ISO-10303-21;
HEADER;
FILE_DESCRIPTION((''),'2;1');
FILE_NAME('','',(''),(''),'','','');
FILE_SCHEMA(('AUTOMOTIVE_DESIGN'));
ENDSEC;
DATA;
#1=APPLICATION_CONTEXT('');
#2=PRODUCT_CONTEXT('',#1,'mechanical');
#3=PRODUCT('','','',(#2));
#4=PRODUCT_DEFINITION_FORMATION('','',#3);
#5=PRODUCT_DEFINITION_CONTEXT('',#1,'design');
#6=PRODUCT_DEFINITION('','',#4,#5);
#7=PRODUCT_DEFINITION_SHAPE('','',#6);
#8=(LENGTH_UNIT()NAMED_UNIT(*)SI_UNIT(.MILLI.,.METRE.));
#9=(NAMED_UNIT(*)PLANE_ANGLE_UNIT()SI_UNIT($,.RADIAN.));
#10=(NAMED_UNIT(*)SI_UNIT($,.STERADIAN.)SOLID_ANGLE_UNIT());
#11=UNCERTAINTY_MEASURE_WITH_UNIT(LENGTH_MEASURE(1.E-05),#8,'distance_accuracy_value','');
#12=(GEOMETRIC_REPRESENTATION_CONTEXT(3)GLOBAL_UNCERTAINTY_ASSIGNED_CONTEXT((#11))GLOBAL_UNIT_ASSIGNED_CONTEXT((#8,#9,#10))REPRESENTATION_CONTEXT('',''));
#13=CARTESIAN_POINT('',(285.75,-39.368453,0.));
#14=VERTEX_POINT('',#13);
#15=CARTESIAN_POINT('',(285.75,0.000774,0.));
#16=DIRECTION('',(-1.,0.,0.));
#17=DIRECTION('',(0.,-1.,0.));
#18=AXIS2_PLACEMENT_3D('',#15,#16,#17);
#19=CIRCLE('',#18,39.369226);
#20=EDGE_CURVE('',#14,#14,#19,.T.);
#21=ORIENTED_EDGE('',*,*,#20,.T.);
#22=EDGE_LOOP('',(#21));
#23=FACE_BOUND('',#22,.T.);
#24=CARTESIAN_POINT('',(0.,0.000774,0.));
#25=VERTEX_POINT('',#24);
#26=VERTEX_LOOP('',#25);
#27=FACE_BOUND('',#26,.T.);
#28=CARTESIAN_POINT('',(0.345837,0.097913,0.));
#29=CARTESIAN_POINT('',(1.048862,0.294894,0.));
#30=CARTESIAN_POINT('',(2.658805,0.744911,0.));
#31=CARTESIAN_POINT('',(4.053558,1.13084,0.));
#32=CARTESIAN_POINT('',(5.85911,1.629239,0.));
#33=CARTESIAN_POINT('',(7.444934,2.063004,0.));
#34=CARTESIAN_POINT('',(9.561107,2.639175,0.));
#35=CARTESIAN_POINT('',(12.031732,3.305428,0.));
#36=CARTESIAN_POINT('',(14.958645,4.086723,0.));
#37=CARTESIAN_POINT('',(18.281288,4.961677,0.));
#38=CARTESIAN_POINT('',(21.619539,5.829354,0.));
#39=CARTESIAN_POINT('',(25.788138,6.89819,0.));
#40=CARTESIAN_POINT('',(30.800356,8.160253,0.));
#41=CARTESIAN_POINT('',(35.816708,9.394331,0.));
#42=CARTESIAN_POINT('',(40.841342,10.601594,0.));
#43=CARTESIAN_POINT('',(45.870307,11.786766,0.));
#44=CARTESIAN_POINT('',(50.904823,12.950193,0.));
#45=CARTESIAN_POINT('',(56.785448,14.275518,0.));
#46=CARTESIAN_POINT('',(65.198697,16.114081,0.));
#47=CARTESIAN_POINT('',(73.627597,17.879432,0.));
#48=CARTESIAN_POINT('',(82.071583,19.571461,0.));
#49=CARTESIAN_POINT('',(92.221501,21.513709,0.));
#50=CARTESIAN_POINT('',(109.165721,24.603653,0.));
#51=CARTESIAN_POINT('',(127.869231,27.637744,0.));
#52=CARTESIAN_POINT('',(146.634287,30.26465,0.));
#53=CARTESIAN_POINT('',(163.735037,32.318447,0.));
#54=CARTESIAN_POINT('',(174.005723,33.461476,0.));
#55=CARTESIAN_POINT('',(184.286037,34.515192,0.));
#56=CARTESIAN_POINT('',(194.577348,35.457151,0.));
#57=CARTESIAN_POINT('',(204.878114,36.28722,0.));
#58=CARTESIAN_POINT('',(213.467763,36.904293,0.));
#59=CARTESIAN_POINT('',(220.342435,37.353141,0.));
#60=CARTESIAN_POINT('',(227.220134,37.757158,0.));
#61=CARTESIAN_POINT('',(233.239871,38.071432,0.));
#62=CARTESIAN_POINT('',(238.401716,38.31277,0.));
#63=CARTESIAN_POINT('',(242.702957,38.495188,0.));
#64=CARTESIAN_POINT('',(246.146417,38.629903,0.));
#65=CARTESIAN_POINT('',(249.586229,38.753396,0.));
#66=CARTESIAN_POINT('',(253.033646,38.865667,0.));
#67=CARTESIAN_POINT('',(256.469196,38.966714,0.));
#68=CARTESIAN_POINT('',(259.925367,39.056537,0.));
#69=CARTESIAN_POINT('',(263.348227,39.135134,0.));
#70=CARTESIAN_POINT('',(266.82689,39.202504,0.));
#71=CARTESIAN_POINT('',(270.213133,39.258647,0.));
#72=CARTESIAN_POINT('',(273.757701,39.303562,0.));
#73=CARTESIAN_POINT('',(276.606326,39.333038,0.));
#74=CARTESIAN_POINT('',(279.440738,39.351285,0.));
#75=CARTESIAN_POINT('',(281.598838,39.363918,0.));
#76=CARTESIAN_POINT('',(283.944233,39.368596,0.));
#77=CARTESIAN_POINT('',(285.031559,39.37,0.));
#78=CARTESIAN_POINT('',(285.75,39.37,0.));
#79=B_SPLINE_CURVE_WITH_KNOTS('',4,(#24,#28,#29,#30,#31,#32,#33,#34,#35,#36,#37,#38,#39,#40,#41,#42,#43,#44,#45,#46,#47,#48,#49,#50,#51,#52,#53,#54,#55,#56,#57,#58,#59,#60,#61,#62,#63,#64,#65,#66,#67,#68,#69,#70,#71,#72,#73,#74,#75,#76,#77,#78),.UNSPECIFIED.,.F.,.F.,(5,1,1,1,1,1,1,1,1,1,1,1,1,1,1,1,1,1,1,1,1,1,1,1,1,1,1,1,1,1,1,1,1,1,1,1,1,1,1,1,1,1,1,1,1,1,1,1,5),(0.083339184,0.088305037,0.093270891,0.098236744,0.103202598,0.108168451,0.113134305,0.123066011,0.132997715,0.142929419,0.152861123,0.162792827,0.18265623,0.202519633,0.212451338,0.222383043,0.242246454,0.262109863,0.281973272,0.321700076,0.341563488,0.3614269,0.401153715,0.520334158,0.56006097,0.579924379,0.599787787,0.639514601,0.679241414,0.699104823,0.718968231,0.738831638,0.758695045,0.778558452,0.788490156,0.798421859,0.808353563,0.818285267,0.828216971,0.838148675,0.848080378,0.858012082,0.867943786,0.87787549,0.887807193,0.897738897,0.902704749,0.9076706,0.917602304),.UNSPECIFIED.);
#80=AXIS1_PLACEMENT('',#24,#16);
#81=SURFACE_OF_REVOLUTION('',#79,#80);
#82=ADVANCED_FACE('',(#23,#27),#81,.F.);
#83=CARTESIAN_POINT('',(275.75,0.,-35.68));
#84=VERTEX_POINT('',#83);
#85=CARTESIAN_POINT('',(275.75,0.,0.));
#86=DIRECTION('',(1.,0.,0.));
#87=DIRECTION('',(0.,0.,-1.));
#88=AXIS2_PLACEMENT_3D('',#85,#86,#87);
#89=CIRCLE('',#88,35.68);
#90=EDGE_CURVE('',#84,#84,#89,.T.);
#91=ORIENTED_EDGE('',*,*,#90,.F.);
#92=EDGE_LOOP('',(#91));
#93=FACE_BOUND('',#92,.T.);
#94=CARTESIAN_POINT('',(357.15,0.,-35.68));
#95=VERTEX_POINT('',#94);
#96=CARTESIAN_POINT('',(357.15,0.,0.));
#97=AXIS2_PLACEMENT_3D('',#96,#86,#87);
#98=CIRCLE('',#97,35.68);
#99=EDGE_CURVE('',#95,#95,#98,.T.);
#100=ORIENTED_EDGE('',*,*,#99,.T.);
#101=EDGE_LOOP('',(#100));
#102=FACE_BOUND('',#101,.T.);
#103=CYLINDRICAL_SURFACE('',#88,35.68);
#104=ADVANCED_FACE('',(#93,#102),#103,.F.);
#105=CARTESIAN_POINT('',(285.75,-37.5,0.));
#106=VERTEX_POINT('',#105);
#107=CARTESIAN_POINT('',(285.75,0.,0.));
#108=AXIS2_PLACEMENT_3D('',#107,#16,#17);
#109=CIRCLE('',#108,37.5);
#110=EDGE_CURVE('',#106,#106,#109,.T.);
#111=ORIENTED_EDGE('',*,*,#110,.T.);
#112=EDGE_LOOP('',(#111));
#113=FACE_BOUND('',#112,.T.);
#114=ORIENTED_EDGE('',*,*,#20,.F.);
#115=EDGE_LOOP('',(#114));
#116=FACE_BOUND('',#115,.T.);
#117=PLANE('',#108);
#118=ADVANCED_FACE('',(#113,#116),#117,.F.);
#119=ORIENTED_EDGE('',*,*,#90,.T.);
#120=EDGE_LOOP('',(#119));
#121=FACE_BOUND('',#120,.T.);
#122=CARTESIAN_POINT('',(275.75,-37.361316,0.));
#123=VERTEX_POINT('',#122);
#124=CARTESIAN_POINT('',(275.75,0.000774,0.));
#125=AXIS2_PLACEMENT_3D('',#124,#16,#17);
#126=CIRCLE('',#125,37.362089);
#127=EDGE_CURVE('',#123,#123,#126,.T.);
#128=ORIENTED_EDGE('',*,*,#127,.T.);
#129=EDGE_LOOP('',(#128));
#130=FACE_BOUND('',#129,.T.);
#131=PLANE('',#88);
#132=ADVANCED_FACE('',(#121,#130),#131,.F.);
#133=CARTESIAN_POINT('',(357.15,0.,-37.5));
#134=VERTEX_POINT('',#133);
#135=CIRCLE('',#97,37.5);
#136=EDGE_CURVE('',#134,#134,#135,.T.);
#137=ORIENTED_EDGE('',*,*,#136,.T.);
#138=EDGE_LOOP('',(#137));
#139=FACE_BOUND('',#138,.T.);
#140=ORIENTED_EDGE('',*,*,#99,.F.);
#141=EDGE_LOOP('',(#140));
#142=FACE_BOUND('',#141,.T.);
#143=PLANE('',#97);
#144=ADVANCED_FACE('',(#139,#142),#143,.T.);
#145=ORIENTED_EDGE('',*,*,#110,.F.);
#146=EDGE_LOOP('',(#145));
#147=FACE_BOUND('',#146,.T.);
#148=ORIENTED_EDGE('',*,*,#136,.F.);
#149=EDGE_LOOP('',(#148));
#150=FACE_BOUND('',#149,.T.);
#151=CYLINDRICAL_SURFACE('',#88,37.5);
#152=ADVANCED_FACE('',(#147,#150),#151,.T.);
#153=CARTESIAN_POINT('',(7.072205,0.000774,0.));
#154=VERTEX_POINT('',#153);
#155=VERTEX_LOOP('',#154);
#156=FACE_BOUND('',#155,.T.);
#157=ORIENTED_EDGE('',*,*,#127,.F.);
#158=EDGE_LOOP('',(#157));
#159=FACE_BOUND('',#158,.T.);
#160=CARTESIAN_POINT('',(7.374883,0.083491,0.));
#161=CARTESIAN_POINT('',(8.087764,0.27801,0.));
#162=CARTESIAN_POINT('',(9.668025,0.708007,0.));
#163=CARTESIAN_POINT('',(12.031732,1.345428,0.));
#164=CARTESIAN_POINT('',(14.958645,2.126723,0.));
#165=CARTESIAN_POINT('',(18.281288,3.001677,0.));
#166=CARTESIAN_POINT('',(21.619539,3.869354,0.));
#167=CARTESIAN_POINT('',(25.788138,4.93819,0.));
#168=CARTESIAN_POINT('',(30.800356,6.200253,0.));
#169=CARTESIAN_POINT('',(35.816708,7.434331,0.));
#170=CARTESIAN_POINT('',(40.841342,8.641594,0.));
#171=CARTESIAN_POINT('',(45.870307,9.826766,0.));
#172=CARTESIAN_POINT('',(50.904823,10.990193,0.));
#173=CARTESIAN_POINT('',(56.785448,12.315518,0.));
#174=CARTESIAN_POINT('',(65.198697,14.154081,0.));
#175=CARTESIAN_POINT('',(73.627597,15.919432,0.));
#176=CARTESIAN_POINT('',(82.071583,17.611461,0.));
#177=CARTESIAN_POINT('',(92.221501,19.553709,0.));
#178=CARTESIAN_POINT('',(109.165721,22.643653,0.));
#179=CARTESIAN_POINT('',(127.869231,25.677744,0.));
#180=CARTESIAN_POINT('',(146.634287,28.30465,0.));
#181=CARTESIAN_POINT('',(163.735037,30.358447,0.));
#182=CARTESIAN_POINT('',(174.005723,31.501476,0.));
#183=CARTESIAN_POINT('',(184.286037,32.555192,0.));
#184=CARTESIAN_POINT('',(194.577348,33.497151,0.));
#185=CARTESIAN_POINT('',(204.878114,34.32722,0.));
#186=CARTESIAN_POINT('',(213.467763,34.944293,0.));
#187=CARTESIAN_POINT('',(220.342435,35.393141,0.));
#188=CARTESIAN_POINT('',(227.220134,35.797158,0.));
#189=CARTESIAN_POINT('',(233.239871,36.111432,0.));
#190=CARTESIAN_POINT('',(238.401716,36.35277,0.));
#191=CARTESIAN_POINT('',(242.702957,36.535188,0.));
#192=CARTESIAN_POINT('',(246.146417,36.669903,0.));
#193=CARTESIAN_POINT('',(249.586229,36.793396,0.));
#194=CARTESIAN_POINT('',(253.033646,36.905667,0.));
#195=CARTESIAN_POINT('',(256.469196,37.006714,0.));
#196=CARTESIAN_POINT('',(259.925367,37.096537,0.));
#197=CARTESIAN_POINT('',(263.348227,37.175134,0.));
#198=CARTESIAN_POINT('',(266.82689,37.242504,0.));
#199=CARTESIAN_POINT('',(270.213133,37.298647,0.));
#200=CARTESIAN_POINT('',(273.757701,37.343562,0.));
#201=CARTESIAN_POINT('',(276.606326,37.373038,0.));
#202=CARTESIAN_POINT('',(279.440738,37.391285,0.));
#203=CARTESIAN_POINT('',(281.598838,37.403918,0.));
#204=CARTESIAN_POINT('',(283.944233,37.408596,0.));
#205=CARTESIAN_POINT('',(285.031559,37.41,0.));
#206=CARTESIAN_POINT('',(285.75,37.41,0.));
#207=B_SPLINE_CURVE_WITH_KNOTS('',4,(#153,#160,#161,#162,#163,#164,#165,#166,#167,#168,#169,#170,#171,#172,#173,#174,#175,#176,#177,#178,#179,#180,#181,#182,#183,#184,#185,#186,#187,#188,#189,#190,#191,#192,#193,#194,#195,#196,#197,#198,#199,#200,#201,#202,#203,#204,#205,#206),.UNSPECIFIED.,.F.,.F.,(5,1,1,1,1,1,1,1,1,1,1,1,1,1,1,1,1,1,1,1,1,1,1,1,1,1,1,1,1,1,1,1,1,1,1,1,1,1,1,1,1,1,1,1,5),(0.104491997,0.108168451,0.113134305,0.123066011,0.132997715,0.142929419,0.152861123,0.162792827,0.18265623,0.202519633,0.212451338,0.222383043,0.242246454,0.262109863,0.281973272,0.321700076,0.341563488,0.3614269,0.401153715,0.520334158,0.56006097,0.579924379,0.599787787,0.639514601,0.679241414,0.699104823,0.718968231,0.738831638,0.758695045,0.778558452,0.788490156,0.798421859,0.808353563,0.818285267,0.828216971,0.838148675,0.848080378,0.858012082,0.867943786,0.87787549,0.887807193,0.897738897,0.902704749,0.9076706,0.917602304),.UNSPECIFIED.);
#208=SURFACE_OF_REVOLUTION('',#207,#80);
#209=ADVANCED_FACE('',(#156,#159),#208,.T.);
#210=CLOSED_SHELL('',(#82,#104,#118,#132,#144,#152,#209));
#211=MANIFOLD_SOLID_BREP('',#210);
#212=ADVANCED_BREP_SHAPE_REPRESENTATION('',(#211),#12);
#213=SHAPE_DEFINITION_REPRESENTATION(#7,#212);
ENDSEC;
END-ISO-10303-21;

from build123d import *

# Parameters (mm, degrees)
BOSS_EXTRUDE2_DEPTH      = 71.4
BOSS_EXTRUDE2_DEPTH_BACK = 10
SKETCH7_R                = 37.5
SKETCH7_R_2              = 35.68


with BuildPart() as part:
    # Sketch6 → Revolve1 (revolve)
    with BuildSketch(Plane.XY):
        with BuildLine():
            add(Edge.make_bspline(
                [(0, 0.000773686), (0.345837081, 0.097913039), (1.048861774, 0.294893917), (2.658804783, 0.744910728), (4.053557927, 1.130839742), (5.859110481, 1.629238964), (7.4449339, 2.063004405), (9.561107041, 2.639174776), (12.031731905, 3.305427777), (14.95864462, 4.086722796), (18.28128803, 4.961677348), (21.619538634, 5.829353926), (25.788137705, 6.898189705), (30.800356023, 8.160252936), (35.816708136, 9.394330637), (40.841342365, 10.601594193), (45.87030729, 11.786766239), (50.904823346, 12.9501928), (56.785447795, 14.275517838), (65.198696746, 16.114081378), (73.627596987, 17.879432312), (82.07158253, 19.571461259), (92.221500813, 21.513709315), (109.165721029, 24.603653307), (127.869230818, 27.637744384), (146.634286906, 30.26464954), (163.735036766, 32.318446728), (174.005722776, 33.461475939), (184.286037164, 34.515191531), (194.577348102, 35.457150565), (204.878113597, 36.287219685), (213.467762549, 36.904293409), (220.342435031, 37.353141106), (227.220133715, 37.75715841), (233.239870853, 38.071431948), (238.401716288, 38.312770004), (242.702957325, 38.49518804), (246.146416964, 38.629902708), (249.586229399, 38.753396186), (253.033645652, 38.865667159), (256.46919635, 38.966714436), (259.925366913, 39.056536942), (263.348226534, 39.135133723), (266.826889882, 39.202503943), (270.213132828, 39.258646887), (273.75770095, 39.303561958), (276.606326241, 39.333037839), (279.440738032, 39.351284936), (281.598838185, 39.363917591), (283.944232781, 39.368596368), (285.031559311, 39.370000002), (285.75, 39.370000002)],
                knots=[0.083339184, 0.083339184, 0.083339184, 0.083339184, 0.083339184, 0.088305037, 0.093270891, 0.098236744, 0.103202598, 0.108168451, 0.113134305, 0.123066011, 0.132997715, 0.142929419, 0.152861123, 0.162792827, 0.18265623, 0.202519633, 0.212451338, 0.222383043, 0.242246454, 0.262109863, 0.281973272, 0.321700076, 0.341563488, 0.3614269, 0.401153715, 0.520334158, 0.56006097, 0.579924379, 0.599787787, 0.639514601, 0.679241414, 0.699104823, 0.718968231, 0.738831638, 0.758695045, 0.778558452, 0.788490156, 0.798421859, 0.808353563, 0.818285267, 0.828216971, 0.838148675, 0.848080378, 0.858012082, 0.867943786, 0.87787549, 0.887807193, 0.897738897, 0.902704749, 0.9076706, 0.917602304, 0.917602304, 0.917602304, 0.917602304, 0.917602304], degree=4))
            Line((0, 0.000773686), (7.072205141, 0.000773686))
            add(Edge.make_bspline(
                [(7.072205141, 0.000773686), (7.37488273, 0.083491425), (8.087763714, 0.278009605), (9.668024639, 0.708007227), (12.031731905, 1.345427777), (14.95864462, 2.126722796), (18.28128803, 3.001677347), (21.619538634, 3.869353926), (25.788137705, 4.938189704), (30.800356023, 6.200252936), (35.816708136, 7.434330637), (40.841342365, 8.641594193), (45.87030729, 9.826766239), (50.904823346, 10.990192799), (56.785447795, 12.315517838), (65.198696746, 14.154081378), (73.627596987, 15.919432312), (82.07158253, 17.611461259), (92.221500813, 19.553709315), (109.165721029, 22.643653307), (127.869230818, 25.677744384), (146.634286906, 28.30464954), (163.735036766, 30.358446727), (174.005722776, 31.501475938), (184.286037164, 32.555191531), (194.577348102, 33.497150565), (204.878113597, 34.327219685), (213.467762549, 34.944293408), (220.342435031, 35.393141105), (227.220133715, 35.79715841), (233.239870853, 36.111431948), (238.401716288, 36.352770003), (242.702957325, 36.535188039), (246.146416964, 36.669902707), (249.586229399, 36.793396185), (253.033645652, 36.905667159), (256.46919635, 37.006714436), (259.925366913, 37.096536942), (263.348226534, 37.175133723), (266.826889882, 37.242503943), (270.213132829, 37.298646887), (273.75770095, 37.343561958), (276.606326242, 37.373037838), (279.440738032, 37.391284936), (281.598838185, 37.403917591), (283.944232781, 37.408596368), (285.031559311, 37.410000001), (285.75, 37.410000001)],
                knots=[0.104491997, 0.104491997, 0.104491997, 0.104491997, 0.104491997, 0.108168451, 0.113134305, 0.123066011, 0.132997715, 0.142929419, 0.152861123, 0.162792827, 0.18265623, 0.202519633, 0.212451338, 0.222383043, 0.242246454, 0.262109863, 0.281973272, 0.321700076, 0.341563488, 0.3614269, 0.401153715, 0.520334158, 0.56006097, 0.579924379, 0.599787787, 0.639514601, 0.679241414, 0.699104823, 0.718968231, 0.738831638, 0.758695045, 0.778558452, 0.788490156, 0.798421859, 0.808353563, 0.818285267, 0.828216971, 0.838148675, 0.848080378, 0.858012082, 0.867943786, 0.87787549, 0.887807193, 0.897738897, 0.902704749, 0.9076706, 0.917602304, 0.917602304, 0.917602304, 0.917602304, 0.917602304], degree=4))
            Line((285.749999997, 37.410000001), (285.749999997, 39.370000001))
        make_face()
    revolve(axis=Axis((0, 0.000773686, 0), (1, 0, 0)))

    # Sketch7 → Boss-Extrude2 (add, two sides: drawn at the far end of the back side and taken through both)
    with BuildSketch(Plane(origin=(285.749999997, 0, 0), x_dir=(0, 0, -1), z_dir=(1, 0, 0)).offset(-BOSS_EXTRUDE2_DEPTH_BACK)):
        Circle(SKETCH7_R)
        Circle(SKETCH7_R_2, mode=Mode.SUBTRACT)
    extrude(amount=BOSS_EXTRUDE2_DEPTH + BOSS_EXTRUDE2_DEPTH_BACK)


solid = part.part
